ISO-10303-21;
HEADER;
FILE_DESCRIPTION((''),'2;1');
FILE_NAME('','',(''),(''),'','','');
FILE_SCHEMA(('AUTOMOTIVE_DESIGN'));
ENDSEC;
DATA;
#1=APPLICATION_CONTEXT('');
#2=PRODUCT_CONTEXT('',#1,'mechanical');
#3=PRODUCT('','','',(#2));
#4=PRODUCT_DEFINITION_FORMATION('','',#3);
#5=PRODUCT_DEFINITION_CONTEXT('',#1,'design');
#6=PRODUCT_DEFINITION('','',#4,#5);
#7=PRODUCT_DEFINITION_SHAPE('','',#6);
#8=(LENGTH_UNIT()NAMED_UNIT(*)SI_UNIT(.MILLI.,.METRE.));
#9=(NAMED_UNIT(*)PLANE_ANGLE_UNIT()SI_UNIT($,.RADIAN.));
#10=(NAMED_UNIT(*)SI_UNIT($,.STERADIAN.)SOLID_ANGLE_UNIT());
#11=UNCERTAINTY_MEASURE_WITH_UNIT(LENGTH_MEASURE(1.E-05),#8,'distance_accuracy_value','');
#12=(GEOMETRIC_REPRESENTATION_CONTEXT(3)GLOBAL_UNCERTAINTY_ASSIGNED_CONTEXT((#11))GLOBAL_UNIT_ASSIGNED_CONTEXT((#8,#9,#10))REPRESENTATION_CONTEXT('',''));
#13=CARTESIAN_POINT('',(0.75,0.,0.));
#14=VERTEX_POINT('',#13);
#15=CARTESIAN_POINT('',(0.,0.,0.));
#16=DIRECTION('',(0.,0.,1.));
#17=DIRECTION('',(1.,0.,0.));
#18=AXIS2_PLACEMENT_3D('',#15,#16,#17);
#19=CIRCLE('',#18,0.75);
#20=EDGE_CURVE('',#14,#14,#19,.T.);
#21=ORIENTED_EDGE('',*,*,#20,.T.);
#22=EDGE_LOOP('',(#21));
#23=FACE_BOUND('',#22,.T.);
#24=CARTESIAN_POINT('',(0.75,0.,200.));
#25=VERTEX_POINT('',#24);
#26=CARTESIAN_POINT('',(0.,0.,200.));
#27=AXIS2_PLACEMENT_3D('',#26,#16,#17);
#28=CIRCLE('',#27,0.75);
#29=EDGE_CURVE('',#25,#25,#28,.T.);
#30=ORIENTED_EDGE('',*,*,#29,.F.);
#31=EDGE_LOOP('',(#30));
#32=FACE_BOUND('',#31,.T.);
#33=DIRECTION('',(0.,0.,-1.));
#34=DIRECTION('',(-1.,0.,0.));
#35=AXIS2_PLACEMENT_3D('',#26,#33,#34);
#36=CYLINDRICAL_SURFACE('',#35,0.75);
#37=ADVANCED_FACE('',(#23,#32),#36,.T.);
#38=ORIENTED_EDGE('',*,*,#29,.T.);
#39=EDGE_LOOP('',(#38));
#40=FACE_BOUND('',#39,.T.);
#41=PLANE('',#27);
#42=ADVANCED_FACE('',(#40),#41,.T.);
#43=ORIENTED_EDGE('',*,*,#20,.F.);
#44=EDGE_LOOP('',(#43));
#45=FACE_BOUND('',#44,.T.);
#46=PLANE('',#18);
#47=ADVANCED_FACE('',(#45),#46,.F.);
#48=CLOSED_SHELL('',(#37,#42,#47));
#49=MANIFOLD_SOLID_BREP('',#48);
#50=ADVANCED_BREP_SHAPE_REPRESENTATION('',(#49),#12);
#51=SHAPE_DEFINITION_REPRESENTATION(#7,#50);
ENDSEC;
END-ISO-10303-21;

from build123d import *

# Parameters (mm, degrees)
BACKBONESKE_R  = 0.75
BACKBONE_DEPTH = 200


with BuildPart() as part:
    # BackboneSke → Backbone (new body)
    with BuildSketch(Plane.XY):
        Circle(BACKBONESKE_R)
    extrude(amount=BACKBONE_DEPTH)


solid = part.part
